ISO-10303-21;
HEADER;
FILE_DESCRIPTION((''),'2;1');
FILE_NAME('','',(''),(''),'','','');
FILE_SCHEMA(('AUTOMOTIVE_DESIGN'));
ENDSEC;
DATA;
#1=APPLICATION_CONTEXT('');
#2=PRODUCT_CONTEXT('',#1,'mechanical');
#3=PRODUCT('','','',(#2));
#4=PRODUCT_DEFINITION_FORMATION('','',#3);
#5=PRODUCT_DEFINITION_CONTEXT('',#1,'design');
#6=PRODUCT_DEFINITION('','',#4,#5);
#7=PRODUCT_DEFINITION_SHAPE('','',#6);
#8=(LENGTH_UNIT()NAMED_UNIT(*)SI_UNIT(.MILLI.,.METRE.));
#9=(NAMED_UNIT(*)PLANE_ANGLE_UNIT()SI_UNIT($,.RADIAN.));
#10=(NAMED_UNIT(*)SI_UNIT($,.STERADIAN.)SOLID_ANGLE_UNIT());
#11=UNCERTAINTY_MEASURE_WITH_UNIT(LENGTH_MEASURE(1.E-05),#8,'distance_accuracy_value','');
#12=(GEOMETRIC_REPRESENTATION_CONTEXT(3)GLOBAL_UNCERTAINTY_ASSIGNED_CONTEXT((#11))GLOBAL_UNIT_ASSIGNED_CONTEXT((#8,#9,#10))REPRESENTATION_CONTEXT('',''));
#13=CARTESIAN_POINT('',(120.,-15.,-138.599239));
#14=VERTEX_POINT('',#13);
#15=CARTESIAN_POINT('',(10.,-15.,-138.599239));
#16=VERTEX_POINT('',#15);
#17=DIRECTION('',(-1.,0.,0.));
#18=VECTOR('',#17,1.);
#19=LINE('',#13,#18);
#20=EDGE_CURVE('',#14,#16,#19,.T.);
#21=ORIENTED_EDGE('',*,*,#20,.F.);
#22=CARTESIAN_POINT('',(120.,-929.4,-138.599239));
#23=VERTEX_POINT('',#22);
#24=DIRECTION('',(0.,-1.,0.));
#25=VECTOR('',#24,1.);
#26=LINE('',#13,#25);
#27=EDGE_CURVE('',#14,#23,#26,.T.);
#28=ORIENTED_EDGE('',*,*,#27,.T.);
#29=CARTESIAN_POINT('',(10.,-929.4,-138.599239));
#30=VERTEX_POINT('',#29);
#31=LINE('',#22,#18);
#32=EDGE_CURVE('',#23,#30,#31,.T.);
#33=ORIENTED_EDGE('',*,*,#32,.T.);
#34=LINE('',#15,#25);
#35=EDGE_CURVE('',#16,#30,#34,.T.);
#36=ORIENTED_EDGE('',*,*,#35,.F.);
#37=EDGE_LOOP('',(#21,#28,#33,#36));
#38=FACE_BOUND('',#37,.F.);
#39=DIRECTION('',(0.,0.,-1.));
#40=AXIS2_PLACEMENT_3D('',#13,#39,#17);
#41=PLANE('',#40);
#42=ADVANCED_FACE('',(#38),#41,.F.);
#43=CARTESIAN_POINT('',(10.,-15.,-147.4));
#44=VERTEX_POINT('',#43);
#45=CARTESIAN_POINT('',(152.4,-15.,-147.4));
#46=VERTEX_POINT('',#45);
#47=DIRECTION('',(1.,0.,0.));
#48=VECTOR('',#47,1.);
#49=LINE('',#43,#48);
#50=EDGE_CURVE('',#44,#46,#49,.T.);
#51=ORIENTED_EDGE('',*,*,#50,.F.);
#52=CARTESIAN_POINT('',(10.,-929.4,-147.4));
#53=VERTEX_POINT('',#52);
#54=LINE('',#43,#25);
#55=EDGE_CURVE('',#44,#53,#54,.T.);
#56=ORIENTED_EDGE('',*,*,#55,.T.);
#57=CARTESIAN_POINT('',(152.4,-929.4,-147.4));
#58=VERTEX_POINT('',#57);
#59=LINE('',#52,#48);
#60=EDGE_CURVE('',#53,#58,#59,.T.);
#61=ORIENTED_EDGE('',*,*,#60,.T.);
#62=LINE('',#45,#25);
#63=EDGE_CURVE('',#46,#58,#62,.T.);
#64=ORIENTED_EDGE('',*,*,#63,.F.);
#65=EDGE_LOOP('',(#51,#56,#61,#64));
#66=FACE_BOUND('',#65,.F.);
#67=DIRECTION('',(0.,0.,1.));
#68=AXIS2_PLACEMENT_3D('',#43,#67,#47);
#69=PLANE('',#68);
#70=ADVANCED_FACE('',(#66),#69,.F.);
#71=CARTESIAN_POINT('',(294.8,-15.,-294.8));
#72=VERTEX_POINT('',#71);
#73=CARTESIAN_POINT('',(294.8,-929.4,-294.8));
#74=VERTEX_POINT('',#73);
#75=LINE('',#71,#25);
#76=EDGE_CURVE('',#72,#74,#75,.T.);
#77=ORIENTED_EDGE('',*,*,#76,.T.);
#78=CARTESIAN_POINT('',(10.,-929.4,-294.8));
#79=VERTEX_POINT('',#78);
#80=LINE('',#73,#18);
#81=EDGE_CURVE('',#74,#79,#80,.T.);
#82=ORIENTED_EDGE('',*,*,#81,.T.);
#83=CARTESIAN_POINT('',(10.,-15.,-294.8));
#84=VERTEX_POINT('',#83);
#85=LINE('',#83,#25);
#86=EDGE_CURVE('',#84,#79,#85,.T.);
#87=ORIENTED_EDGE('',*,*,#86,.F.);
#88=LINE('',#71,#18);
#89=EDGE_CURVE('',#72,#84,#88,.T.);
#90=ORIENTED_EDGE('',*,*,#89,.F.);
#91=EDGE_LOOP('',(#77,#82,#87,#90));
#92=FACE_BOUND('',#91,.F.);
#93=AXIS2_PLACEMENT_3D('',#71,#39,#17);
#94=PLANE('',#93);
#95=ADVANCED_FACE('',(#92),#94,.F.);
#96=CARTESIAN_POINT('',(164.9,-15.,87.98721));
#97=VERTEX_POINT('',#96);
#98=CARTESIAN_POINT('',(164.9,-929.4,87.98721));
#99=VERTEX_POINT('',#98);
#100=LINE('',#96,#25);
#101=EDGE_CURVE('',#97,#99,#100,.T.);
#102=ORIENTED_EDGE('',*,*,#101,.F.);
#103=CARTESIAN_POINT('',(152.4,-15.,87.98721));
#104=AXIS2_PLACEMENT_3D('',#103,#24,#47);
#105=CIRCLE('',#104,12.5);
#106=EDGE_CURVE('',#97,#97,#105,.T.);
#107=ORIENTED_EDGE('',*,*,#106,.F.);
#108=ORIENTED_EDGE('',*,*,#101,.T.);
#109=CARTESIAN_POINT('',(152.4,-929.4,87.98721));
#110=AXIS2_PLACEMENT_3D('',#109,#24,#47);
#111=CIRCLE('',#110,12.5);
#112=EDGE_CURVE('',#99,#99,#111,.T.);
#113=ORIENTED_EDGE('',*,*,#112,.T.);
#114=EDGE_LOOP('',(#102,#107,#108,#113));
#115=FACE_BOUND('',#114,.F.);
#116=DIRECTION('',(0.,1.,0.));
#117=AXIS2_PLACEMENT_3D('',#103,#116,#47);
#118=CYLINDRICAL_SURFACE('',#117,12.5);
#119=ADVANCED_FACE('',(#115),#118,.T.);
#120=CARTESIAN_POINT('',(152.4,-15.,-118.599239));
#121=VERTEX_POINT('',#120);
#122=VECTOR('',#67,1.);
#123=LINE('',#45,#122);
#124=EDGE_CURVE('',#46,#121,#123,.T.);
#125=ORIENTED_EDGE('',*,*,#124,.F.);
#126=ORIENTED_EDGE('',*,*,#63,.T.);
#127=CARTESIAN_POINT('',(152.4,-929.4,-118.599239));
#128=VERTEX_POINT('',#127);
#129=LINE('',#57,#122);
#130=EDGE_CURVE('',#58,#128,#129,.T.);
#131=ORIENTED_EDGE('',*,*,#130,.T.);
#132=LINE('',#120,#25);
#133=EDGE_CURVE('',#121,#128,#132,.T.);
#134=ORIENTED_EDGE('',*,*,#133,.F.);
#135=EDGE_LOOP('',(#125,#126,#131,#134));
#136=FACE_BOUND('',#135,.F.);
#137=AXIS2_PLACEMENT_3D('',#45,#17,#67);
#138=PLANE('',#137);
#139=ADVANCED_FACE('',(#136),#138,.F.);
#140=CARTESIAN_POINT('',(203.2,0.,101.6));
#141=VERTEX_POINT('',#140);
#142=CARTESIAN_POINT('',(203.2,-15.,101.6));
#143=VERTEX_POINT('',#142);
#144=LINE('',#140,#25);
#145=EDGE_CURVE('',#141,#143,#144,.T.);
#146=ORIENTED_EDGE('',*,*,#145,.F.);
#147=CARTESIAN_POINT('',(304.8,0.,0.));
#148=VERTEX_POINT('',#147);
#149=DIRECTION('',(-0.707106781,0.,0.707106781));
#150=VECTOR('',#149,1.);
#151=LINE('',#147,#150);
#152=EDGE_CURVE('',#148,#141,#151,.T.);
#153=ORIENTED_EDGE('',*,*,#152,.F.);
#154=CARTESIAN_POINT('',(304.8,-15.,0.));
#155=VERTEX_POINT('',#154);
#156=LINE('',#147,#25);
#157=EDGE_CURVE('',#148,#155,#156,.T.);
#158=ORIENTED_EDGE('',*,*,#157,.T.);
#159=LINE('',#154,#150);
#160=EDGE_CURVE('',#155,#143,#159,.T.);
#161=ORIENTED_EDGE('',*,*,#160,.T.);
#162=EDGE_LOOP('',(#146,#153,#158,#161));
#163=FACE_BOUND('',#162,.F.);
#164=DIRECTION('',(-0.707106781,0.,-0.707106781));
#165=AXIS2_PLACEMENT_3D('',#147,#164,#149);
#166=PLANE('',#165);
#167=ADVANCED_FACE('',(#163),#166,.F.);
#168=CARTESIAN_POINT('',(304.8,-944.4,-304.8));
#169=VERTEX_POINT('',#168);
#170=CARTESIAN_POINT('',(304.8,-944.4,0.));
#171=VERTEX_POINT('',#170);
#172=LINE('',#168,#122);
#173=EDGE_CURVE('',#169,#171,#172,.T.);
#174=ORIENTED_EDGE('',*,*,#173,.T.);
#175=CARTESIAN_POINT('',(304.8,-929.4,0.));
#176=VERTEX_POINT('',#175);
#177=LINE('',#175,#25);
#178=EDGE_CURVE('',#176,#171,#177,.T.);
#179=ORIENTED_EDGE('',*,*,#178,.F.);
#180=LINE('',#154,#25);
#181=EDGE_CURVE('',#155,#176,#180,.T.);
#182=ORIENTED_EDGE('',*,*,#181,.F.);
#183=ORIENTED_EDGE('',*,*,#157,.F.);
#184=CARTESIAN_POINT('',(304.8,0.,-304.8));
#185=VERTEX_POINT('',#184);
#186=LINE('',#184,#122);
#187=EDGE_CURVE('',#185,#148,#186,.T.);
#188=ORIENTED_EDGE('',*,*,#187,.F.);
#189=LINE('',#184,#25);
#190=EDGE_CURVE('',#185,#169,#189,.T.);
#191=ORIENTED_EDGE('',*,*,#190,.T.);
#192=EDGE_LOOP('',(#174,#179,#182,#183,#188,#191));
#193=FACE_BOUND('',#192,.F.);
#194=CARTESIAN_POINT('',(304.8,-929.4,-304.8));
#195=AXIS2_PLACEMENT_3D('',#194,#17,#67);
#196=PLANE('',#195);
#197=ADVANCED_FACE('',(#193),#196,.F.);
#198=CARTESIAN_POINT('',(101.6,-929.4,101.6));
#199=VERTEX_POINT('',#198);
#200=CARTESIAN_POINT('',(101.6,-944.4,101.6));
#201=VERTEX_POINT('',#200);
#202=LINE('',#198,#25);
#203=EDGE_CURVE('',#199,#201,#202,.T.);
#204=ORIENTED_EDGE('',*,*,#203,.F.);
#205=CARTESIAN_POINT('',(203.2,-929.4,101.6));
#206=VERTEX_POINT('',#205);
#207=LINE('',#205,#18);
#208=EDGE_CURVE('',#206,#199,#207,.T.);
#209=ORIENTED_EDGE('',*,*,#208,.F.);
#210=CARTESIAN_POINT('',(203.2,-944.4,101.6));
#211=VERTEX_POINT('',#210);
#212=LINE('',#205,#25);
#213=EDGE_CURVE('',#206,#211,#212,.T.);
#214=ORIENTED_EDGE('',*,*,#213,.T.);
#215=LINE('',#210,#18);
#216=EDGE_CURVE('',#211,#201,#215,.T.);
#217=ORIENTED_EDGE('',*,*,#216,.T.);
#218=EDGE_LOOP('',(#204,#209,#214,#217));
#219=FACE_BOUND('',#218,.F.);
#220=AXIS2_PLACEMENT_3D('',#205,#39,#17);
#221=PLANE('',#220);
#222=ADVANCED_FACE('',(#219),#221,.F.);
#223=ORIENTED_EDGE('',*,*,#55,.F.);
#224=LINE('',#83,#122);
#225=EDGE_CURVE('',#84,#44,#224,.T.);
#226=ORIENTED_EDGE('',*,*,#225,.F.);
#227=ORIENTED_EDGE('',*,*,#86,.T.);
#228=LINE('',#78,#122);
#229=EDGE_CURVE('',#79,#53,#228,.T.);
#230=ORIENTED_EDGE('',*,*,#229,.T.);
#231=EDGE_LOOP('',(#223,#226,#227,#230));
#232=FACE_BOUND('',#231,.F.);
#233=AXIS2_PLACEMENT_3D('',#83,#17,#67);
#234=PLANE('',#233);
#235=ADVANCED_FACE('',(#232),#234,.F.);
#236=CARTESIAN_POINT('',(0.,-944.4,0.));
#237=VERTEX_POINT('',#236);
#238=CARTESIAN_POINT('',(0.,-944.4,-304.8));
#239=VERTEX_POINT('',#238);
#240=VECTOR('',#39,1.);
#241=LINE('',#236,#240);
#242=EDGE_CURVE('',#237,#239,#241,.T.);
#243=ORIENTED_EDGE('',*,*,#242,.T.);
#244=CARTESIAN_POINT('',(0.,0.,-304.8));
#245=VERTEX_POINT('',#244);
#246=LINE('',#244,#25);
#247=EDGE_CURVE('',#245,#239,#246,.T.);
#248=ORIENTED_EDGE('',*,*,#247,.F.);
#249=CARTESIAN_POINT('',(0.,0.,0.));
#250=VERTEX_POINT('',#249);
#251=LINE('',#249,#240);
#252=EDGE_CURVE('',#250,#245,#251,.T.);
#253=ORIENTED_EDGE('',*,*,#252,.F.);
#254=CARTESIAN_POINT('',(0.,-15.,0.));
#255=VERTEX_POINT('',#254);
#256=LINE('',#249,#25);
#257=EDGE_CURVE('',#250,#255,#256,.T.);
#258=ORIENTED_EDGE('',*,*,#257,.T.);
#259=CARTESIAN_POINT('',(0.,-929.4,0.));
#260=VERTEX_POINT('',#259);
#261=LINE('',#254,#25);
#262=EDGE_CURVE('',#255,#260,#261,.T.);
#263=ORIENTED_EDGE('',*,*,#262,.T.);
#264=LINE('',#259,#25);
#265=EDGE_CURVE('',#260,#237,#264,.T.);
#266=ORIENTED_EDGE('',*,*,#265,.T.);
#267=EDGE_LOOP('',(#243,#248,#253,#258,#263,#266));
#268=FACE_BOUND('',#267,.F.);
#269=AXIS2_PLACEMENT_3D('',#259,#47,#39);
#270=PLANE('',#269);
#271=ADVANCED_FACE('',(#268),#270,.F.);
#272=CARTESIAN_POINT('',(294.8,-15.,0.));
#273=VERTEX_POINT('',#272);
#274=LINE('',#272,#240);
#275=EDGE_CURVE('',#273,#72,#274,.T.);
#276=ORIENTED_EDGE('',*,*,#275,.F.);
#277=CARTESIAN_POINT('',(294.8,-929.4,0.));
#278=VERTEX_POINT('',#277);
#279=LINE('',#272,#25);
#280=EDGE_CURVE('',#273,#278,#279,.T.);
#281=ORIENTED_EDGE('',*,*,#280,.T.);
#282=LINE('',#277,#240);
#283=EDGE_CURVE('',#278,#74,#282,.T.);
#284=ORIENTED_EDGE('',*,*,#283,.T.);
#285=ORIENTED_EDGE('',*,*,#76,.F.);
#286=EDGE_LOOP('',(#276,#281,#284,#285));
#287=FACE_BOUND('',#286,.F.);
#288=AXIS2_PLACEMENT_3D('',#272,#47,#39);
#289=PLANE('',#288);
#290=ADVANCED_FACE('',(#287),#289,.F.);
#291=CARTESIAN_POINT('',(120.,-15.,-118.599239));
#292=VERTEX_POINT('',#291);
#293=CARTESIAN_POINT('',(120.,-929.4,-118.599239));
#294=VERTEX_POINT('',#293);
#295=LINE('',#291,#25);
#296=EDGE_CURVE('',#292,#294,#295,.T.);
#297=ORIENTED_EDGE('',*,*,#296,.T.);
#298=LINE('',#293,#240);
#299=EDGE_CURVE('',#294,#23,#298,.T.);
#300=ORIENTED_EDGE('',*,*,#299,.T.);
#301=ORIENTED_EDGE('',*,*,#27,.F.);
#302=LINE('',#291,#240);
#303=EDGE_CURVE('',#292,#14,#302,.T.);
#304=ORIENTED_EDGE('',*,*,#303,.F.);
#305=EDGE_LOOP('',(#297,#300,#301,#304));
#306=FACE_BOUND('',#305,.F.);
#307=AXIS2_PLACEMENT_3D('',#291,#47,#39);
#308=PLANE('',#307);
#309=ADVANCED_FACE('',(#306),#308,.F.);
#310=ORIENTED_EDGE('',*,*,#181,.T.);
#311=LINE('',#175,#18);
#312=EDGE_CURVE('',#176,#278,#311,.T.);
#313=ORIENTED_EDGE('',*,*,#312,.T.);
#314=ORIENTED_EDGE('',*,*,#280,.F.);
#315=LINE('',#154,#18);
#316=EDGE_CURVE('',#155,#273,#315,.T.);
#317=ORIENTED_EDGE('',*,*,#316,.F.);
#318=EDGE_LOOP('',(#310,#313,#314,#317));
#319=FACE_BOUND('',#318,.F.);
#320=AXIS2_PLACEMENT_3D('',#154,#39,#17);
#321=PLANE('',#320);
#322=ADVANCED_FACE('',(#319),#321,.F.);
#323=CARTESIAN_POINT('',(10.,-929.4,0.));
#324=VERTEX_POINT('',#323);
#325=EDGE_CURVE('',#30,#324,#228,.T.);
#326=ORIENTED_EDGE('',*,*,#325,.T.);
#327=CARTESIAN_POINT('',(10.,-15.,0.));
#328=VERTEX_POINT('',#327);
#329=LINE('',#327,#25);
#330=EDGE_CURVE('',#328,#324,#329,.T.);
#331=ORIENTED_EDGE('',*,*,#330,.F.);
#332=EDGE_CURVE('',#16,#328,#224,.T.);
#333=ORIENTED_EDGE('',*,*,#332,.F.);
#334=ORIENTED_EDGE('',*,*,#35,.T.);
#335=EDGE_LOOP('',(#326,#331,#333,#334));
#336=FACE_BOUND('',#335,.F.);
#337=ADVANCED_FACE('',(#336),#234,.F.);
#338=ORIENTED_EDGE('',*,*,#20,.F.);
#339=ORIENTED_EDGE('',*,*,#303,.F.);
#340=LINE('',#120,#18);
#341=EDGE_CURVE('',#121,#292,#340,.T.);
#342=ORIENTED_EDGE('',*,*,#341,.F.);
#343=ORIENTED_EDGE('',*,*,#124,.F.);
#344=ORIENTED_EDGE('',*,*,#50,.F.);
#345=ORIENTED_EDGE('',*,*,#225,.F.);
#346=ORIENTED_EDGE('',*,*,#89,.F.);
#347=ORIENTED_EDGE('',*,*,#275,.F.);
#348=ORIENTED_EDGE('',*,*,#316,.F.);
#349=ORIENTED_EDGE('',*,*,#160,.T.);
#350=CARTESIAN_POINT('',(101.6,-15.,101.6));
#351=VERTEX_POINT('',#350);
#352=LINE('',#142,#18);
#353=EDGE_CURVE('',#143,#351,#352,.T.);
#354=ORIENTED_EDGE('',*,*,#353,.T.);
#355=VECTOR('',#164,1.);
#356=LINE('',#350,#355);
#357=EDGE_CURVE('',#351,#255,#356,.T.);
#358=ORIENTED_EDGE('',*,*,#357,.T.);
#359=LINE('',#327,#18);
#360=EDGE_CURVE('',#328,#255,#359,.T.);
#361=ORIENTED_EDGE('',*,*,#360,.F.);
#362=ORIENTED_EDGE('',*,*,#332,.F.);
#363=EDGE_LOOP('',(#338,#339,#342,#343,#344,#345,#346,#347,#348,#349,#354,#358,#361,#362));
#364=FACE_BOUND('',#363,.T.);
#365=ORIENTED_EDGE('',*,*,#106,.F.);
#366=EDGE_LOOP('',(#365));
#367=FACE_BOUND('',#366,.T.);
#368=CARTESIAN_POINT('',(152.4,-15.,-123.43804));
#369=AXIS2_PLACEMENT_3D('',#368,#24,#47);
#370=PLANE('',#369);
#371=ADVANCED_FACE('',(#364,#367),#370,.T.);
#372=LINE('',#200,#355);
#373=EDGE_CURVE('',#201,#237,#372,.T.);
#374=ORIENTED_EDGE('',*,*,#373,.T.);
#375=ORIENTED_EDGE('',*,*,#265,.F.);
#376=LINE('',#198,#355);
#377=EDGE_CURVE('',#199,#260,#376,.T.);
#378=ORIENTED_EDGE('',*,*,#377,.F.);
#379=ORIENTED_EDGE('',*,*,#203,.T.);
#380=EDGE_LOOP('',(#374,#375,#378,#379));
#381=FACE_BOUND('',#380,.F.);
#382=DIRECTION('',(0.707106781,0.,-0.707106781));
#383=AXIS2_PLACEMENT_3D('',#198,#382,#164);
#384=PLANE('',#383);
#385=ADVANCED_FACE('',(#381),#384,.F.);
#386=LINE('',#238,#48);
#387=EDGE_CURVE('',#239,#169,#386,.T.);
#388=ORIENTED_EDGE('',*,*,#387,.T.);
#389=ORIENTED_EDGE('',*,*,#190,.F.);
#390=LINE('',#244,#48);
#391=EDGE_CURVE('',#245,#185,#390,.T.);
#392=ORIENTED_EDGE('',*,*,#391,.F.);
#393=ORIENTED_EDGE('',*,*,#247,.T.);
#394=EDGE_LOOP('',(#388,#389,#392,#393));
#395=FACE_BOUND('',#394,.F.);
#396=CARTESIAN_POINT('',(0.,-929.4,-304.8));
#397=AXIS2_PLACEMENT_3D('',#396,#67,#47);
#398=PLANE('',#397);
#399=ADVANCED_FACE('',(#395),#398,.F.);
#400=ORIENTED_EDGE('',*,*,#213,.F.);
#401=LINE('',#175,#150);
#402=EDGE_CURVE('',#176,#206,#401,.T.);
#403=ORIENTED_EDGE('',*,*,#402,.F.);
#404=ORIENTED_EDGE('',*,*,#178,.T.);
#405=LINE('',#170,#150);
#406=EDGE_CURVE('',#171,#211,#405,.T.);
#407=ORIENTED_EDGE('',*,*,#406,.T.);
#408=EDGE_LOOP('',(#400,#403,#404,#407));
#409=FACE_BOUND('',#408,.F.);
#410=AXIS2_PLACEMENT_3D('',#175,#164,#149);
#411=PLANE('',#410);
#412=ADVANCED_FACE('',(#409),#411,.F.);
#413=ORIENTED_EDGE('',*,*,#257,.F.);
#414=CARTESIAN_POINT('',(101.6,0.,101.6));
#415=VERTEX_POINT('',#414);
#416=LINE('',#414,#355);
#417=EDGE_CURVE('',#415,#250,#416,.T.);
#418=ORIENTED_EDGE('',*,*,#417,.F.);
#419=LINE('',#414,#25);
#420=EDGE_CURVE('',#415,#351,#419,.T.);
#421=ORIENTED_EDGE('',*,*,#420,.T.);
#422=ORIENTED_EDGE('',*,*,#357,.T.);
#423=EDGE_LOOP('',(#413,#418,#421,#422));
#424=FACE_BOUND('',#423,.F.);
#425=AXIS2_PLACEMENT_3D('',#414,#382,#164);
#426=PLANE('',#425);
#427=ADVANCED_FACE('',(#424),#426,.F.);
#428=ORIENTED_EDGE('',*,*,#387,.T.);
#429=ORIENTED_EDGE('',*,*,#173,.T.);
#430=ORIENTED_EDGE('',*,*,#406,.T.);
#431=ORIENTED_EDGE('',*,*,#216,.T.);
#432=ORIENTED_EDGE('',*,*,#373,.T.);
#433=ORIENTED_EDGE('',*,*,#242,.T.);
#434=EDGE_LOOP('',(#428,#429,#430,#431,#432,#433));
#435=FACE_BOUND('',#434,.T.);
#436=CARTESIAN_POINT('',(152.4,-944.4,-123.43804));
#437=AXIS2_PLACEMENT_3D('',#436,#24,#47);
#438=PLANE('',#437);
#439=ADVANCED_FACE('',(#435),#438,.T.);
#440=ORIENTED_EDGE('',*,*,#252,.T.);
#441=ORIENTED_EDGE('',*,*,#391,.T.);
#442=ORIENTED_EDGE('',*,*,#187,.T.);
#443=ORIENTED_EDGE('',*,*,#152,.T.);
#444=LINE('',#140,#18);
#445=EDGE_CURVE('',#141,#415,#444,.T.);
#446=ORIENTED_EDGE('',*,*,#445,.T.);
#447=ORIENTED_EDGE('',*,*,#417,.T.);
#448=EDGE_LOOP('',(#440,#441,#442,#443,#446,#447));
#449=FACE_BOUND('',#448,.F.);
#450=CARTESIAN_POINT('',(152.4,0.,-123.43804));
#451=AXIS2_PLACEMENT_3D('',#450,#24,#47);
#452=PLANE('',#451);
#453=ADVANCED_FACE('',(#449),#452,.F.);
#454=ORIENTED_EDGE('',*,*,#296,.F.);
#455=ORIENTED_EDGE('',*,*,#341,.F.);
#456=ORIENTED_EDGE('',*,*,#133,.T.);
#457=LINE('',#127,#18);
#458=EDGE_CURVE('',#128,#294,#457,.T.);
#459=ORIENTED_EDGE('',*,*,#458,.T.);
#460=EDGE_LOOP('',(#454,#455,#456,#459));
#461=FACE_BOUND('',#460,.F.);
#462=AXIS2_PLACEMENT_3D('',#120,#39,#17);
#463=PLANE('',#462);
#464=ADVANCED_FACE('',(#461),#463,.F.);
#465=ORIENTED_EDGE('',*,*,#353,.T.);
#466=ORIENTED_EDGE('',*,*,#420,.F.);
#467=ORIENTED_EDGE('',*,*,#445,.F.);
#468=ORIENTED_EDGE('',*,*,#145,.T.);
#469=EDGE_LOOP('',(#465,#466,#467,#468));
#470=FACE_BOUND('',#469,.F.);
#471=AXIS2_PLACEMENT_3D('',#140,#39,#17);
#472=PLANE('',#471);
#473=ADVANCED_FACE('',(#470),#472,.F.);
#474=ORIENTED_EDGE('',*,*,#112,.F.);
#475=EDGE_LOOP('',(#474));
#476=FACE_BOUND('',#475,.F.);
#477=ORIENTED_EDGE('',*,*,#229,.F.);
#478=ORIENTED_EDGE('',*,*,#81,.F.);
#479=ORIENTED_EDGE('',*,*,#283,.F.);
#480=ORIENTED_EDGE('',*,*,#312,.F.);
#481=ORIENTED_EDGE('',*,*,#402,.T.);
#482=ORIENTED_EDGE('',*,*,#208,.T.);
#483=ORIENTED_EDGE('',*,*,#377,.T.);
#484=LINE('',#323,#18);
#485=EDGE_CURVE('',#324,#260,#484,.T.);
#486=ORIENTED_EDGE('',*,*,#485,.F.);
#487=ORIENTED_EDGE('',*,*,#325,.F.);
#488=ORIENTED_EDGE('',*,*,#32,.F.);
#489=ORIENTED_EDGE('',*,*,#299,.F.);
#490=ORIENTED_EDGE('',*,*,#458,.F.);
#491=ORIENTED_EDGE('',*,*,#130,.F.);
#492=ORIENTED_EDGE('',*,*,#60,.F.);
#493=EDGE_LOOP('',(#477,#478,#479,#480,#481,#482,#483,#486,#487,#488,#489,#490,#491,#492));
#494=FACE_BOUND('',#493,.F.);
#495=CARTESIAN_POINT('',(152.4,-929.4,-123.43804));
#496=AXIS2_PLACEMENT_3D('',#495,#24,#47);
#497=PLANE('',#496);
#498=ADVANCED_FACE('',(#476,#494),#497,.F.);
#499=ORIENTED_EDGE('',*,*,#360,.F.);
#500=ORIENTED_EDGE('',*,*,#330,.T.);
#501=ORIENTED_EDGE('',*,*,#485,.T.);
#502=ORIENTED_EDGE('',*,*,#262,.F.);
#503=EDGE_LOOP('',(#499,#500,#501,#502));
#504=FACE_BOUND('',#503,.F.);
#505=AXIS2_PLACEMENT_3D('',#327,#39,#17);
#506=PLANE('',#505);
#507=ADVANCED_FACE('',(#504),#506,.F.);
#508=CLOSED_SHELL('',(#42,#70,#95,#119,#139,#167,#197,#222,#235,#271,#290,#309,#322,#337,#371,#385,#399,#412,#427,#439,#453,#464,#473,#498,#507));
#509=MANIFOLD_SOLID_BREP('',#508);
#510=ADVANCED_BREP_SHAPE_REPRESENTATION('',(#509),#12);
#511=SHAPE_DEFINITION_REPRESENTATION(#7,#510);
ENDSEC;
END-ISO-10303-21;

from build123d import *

# Parameters (mm, degrees)
F1_DEPTH = 15
F2_R     = 12.5
F3_DEPTH = 914.4
F5_DEPTH = 914.4
F7_DEPTH = 15
F9_DEPTH = 914.4


with BuildPart() as f1:
    # F0 (on Front) → F1 (new body)
    with BuildSketch(Plane.XZ):
        Polygon((101.6, 101.6), (0, 0), (0, -304.8), (304.8, -304.8), (304.8, 0), (203.2, 101.6), align=None)
    extrude(amount=F1_DEPTH)

    # F2 (on face) → F3 (join)
    with BuildSketch(Plane.XZ.offset(15)):
        with Locations((152.4, 87.9872098923)):
            Circle(F2_R)
    extrude(amount=F3_DEPTH)

    # F4 (on face) → F5 (join)
    with BuildSketch(Plane.XZ.offset(15)):
        Polygon((294.8, 0), (294.8, -294.8), (10, -294.8), (10, 0), (0, 0), (0, -304.8), (304.8, -304.8), (304.8, 0), align=None)
    extrude(amount=F5_DEPTH)

    # F6 (on face) → F7 (join)
    with BuildSketch(Plane.XZ.offset(929.4)):
        Polygon((0, 0), (0, -304.8), (304.8, -304.8), (304.8, 0), (203.2, 101.6), (101.6, 101.6), align=None)
    extrude(amount=F7_DEPTH)

    # F8 (on face) → F9 (join)
    with BuildSketch(Plane.XZ.offset(15)):
        Polygon((10, -147.4), (152.4, -147.4), (152.4, -118.5992388964), (120, -118.5992388964), (120, -138.5992388964), (10, -138.5992388964), align=None)
    extrude(amount=F9_DEPTH)


solid = f1.part
